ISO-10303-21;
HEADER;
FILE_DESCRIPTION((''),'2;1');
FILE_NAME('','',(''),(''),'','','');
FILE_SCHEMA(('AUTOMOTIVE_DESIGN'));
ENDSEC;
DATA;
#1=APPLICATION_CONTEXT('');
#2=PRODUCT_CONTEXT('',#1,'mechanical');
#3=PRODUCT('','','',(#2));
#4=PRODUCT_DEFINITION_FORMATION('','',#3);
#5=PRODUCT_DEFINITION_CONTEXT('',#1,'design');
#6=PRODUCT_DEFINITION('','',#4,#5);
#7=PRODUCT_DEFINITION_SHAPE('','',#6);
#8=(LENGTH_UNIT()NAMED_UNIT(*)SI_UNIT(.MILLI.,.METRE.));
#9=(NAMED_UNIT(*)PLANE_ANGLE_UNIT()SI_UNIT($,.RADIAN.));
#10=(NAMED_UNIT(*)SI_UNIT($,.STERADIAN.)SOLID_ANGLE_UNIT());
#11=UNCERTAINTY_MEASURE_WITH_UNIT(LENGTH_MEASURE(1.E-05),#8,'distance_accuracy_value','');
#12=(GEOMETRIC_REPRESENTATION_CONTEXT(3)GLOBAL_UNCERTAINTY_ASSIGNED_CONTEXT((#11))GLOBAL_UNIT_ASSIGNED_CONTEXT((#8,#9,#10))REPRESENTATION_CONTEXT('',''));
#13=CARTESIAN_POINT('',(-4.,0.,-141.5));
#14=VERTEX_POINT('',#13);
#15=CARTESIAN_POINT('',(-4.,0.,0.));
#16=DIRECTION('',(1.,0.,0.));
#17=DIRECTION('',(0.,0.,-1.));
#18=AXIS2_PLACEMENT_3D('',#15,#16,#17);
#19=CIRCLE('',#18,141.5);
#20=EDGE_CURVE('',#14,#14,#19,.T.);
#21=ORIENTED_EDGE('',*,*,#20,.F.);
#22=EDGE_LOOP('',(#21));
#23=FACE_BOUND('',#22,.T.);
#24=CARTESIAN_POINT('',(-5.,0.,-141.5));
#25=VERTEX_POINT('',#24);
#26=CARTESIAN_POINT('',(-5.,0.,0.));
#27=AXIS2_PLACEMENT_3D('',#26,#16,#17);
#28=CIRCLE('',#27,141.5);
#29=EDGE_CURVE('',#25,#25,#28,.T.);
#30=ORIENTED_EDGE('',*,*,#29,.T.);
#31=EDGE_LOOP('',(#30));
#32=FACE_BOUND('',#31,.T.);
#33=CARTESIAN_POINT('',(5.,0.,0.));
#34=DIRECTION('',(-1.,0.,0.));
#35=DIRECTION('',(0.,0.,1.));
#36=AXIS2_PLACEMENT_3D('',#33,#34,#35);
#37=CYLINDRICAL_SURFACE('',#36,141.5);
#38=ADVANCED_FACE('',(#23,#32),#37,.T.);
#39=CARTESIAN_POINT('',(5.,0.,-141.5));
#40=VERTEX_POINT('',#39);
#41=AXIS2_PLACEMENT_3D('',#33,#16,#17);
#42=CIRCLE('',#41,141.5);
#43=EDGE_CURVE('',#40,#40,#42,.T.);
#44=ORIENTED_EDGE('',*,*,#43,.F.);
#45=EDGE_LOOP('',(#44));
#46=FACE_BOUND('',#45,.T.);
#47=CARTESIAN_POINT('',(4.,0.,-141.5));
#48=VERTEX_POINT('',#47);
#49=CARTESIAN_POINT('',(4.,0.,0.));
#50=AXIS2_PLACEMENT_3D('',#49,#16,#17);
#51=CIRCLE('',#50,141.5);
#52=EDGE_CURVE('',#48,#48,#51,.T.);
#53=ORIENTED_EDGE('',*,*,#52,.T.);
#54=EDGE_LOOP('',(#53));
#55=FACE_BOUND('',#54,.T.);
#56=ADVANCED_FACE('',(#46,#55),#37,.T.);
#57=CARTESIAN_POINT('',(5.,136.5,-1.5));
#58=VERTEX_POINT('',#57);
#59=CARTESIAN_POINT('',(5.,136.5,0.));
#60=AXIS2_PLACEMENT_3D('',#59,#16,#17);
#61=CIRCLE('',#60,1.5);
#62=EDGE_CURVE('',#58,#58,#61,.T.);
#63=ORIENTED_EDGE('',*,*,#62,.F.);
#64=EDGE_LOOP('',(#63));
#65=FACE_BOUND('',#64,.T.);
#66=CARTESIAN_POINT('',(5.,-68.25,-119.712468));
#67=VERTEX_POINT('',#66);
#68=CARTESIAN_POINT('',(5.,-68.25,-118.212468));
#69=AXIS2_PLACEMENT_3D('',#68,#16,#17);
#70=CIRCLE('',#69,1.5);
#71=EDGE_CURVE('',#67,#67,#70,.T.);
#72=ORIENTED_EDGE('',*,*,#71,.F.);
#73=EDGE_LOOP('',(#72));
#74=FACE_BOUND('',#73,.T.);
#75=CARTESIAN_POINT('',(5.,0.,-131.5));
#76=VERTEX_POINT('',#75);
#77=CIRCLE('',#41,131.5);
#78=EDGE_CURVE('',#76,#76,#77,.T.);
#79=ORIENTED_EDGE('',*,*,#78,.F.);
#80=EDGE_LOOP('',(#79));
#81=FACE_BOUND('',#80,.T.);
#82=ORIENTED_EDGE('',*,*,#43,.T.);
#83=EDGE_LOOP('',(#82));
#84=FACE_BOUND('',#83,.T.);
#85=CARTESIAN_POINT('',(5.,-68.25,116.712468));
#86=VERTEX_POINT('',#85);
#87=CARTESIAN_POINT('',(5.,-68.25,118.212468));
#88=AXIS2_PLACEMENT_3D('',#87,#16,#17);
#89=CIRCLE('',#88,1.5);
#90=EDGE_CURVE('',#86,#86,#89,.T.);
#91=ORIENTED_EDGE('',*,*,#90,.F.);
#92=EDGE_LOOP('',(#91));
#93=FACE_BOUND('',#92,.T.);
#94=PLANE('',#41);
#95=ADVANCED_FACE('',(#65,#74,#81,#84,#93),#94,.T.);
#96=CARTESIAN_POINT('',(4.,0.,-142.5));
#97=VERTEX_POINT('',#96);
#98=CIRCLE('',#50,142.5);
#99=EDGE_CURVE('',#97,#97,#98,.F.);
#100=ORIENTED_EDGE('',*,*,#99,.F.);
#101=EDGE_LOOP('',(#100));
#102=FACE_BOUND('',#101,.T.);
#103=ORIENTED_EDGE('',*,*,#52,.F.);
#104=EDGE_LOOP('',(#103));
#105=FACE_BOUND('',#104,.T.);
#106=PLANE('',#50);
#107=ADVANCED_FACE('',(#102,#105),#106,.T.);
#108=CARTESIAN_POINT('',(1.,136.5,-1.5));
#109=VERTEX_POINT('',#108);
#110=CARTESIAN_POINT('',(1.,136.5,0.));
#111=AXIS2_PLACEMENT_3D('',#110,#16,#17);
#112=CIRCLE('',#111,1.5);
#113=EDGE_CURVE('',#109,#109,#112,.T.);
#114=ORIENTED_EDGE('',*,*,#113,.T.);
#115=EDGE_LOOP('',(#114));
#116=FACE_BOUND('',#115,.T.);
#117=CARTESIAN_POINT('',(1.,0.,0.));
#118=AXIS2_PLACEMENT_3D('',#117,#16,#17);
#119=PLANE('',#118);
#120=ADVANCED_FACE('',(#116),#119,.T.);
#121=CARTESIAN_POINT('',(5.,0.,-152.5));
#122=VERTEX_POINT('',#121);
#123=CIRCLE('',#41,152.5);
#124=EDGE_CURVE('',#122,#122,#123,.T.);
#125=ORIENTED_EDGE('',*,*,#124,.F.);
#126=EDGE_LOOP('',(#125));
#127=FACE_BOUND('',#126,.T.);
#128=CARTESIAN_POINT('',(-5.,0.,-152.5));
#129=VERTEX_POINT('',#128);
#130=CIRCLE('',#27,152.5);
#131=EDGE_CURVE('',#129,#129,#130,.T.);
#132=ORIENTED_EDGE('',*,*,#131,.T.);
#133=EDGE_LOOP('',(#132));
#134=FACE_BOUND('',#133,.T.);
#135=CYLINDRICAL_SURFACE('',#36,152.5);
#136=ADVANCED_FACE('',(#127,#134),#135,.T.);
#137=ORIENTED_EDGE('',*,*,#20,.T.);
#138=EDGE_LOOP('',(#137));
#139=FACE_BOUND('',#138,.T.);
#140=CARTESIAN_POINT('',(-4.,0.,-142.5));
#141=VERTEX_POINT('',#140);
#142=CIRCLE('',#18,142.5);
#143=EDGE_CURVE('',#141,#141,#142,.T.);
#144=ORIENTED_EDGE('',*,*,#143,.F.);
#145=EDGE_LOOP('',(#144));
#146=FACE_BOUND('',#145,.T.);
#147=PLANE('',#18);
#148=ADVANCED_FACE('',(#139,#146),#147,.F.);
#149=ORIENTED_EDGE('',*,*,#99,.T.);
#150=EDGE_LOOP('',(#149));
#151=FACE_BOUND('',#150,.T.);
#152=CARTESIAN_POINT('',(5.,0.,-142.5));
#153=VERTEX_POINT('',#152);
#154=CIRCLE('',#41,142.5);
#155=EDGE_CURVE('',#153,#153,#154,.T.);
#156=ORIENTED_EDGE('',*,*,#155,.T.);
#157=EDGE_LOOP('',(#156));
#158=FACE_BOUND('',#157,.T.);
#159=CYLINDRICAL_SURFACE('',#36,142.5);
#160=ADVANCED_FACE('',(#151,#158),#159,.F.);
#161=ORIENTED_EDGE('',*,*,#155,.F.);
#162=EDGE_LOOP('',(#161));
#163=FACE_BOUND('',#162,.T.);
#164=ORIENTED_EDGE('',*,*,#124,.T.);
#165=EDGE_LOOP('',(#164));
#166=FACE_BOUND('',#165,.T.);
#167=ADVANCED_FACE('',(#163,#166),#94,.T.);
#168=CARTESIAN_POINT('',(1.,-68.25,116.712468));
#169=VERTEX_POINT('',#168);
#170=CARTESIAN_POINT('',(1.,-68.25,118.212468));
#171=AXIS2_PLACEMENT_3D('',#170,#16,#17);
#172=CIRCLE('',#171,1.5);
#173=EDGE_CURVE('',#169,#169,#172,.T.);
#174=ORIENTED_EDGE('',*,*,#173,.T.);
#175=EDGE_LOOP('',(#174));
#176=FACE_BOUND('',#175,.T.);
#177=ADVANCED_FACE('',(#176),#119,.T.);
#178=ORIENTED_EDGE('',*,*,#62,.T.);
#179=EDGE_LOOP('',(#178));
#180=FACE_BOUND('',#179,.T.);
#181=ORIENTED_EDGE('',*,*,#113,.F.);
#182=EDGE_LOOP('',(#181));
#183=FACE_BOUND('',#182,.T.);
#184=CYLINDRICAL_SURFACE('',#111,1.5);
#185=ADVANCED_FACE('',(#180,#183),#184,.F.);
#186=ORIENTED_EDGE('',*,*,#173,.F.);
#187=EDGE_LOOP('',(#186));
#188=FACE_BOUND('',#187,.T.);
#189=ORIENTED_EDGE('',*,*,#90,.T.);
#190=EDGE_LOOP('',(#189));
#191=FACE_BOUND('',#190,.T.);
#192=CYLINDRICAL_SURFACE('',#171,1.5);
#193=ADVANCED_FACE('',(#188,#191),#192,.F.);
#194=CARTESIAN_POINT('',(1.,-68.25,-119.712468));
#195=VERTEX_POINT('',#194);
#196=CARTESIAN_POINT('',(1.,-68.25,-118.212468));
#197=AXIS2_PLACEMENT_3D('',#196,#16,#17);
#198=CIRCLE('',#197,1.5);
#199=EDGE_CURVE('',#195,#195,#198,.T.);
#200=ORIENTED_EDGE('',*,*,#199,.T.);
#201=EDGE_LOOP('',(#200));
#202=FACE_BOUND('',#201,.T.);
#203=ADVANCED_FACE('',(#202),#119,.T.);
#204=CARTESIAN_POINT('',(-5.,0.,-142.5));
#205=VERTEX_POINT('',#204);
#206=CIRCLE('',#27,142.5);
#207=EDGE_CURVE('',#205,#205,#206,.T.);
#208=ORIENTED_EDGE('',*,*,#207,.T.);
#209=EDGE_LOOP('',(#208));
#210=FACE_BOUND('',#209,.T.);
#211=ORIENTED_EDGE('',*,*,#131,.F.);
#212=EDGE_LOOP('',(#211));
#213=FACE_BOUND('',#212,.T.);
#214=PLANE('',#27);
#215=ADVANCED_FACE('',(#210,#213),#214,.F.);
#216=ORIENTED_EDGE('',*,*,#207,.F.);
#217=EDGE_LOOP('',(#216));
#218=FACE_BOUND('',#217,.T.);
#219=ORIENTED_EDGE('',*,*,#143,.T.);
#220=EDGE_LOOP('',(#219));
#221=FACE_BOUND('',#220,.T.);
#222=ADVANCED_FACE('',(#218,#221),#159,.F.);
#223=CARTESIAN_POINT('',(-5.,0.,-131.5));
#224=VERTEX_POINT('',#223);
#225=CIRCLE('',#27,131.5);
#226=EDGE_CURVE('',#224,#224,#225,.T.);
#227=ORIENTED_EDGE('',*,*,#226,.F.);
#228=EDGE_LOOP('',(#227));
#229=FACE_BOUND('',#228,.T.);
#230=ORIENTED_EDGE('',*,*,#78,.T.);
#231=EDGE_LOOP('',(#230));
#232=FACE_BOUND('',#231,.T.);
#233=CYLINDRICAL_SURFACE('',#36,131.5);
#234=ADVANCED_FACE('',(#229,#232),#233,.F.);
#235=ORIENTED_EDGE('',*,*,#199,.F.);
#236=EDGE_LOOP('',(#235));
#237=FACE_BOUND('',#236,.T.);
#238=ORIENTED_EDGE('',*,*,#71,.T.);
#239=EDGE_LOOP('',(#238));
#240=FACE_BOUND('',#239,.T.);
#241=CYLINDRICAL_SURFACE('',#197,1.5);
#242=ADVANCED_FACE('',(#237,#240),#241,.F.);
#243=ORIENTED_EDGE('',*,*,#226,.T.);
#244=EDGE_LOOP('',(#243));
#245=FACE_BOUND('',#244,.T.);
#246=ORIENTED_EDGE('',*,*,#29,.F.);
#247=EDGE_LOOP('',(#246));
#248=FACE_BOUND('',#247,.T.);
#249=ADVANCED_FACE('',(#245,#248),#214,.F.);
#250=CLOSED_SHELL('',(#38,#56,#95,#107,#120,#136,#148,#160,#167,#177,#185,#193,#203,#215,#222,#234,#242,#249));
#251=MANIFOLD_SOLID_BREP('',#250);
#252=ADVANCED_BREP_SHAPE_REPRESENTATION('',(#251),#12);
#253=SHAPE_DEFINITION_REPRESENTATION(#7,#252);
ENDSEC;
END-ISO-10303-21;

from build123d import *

# Parameters (mm, degrees)
SKETCH1_R             = 152.5
SKETCH1_R_2           = 142.5
BOSS_EXTRUDE2_DEPTH   = 5
SKETCH1_R_3           = 141.5
SKETCH1_R_4           = 131.5
BOSS_EXTRUDE2_2_DEPTH = 5
SKETCH1_4_R           = 142.5
SKETCH1_4_R_2         = 141.5
BOSS_EXTRUDE3_DEPTH   = 4
SKETCH2_R             = 1.5
CUT_EXTRUDE1_DEPTH    = 4


with BuildPart() as part:
    # Sketch1 → Boss-Extrude2 (new, symmetric)
    with BuildSketch(Plane(origin=(0, 0, 0), x_dir=(0, 0, -1), z_dir=(1, 0, 0))):
        Circle(SKETCH1_R)
        Circle(SKETCH1_R_2, mode=Mode.SUBTRACT)
    extrude(amount=BOSS_EXTRUDE2_DEPTH, both=True)



with BuildPart() as body_2:
    # Sketch1 → Boss-Extrude2 2 (new, symmetric)
    with BuildSketch(Plane(origin=(0, 0, 0), x_dir=(0, 0, -1), z_dir=(1, 0, 0))):
        Circle(SKETCH1_R_3)
        Circle(SKETCH1_R_4, mode=Mode.SUBTRACT)
    extrude(amount=BOSS_EXTRUDE2_2_DEPTH, both=True)


with BuildPart() as part_1:
    add(part.part)

    add(body_2.part)  # Boss-Extrude3 merges body 2
    # Sketch1<4> → Boss-Extrude3 (add, symmetric)
    with BuildSketch(Plane(origin=(0, 0, 0), x_dir=(0, 0, -1), z_dir=(1, 0, 0))):
        Circle(SKETCH1_4_R)
        Circle(SKETCH1_4_R_2, mode=Mode.SUBTRACT)
    extrude(amount=BOSS_EXTRUDE3_DEPTH, both=True)

    # Sketch2 → Cut-Extrude1 (cut)
    with BuildSketch(Plane(origin=(5, 0, 0), x_dir=(0, 0, -1), z_dir=(1, 0, 0))):
        with Locations((0, 136.5)):
            Circle(SKETCH2_R)
        with Locations((118.212467617, -68.25)):
            Circle(SKETCH2_R)
        with Locations((-118.212467617, -68.25)):
            Circle(SKETCH2_R)
    extrude(amount=-CUT_EXTRUDE1_DEPTH, mode=Mode.SUBTRACT)


solid = part_1.part
